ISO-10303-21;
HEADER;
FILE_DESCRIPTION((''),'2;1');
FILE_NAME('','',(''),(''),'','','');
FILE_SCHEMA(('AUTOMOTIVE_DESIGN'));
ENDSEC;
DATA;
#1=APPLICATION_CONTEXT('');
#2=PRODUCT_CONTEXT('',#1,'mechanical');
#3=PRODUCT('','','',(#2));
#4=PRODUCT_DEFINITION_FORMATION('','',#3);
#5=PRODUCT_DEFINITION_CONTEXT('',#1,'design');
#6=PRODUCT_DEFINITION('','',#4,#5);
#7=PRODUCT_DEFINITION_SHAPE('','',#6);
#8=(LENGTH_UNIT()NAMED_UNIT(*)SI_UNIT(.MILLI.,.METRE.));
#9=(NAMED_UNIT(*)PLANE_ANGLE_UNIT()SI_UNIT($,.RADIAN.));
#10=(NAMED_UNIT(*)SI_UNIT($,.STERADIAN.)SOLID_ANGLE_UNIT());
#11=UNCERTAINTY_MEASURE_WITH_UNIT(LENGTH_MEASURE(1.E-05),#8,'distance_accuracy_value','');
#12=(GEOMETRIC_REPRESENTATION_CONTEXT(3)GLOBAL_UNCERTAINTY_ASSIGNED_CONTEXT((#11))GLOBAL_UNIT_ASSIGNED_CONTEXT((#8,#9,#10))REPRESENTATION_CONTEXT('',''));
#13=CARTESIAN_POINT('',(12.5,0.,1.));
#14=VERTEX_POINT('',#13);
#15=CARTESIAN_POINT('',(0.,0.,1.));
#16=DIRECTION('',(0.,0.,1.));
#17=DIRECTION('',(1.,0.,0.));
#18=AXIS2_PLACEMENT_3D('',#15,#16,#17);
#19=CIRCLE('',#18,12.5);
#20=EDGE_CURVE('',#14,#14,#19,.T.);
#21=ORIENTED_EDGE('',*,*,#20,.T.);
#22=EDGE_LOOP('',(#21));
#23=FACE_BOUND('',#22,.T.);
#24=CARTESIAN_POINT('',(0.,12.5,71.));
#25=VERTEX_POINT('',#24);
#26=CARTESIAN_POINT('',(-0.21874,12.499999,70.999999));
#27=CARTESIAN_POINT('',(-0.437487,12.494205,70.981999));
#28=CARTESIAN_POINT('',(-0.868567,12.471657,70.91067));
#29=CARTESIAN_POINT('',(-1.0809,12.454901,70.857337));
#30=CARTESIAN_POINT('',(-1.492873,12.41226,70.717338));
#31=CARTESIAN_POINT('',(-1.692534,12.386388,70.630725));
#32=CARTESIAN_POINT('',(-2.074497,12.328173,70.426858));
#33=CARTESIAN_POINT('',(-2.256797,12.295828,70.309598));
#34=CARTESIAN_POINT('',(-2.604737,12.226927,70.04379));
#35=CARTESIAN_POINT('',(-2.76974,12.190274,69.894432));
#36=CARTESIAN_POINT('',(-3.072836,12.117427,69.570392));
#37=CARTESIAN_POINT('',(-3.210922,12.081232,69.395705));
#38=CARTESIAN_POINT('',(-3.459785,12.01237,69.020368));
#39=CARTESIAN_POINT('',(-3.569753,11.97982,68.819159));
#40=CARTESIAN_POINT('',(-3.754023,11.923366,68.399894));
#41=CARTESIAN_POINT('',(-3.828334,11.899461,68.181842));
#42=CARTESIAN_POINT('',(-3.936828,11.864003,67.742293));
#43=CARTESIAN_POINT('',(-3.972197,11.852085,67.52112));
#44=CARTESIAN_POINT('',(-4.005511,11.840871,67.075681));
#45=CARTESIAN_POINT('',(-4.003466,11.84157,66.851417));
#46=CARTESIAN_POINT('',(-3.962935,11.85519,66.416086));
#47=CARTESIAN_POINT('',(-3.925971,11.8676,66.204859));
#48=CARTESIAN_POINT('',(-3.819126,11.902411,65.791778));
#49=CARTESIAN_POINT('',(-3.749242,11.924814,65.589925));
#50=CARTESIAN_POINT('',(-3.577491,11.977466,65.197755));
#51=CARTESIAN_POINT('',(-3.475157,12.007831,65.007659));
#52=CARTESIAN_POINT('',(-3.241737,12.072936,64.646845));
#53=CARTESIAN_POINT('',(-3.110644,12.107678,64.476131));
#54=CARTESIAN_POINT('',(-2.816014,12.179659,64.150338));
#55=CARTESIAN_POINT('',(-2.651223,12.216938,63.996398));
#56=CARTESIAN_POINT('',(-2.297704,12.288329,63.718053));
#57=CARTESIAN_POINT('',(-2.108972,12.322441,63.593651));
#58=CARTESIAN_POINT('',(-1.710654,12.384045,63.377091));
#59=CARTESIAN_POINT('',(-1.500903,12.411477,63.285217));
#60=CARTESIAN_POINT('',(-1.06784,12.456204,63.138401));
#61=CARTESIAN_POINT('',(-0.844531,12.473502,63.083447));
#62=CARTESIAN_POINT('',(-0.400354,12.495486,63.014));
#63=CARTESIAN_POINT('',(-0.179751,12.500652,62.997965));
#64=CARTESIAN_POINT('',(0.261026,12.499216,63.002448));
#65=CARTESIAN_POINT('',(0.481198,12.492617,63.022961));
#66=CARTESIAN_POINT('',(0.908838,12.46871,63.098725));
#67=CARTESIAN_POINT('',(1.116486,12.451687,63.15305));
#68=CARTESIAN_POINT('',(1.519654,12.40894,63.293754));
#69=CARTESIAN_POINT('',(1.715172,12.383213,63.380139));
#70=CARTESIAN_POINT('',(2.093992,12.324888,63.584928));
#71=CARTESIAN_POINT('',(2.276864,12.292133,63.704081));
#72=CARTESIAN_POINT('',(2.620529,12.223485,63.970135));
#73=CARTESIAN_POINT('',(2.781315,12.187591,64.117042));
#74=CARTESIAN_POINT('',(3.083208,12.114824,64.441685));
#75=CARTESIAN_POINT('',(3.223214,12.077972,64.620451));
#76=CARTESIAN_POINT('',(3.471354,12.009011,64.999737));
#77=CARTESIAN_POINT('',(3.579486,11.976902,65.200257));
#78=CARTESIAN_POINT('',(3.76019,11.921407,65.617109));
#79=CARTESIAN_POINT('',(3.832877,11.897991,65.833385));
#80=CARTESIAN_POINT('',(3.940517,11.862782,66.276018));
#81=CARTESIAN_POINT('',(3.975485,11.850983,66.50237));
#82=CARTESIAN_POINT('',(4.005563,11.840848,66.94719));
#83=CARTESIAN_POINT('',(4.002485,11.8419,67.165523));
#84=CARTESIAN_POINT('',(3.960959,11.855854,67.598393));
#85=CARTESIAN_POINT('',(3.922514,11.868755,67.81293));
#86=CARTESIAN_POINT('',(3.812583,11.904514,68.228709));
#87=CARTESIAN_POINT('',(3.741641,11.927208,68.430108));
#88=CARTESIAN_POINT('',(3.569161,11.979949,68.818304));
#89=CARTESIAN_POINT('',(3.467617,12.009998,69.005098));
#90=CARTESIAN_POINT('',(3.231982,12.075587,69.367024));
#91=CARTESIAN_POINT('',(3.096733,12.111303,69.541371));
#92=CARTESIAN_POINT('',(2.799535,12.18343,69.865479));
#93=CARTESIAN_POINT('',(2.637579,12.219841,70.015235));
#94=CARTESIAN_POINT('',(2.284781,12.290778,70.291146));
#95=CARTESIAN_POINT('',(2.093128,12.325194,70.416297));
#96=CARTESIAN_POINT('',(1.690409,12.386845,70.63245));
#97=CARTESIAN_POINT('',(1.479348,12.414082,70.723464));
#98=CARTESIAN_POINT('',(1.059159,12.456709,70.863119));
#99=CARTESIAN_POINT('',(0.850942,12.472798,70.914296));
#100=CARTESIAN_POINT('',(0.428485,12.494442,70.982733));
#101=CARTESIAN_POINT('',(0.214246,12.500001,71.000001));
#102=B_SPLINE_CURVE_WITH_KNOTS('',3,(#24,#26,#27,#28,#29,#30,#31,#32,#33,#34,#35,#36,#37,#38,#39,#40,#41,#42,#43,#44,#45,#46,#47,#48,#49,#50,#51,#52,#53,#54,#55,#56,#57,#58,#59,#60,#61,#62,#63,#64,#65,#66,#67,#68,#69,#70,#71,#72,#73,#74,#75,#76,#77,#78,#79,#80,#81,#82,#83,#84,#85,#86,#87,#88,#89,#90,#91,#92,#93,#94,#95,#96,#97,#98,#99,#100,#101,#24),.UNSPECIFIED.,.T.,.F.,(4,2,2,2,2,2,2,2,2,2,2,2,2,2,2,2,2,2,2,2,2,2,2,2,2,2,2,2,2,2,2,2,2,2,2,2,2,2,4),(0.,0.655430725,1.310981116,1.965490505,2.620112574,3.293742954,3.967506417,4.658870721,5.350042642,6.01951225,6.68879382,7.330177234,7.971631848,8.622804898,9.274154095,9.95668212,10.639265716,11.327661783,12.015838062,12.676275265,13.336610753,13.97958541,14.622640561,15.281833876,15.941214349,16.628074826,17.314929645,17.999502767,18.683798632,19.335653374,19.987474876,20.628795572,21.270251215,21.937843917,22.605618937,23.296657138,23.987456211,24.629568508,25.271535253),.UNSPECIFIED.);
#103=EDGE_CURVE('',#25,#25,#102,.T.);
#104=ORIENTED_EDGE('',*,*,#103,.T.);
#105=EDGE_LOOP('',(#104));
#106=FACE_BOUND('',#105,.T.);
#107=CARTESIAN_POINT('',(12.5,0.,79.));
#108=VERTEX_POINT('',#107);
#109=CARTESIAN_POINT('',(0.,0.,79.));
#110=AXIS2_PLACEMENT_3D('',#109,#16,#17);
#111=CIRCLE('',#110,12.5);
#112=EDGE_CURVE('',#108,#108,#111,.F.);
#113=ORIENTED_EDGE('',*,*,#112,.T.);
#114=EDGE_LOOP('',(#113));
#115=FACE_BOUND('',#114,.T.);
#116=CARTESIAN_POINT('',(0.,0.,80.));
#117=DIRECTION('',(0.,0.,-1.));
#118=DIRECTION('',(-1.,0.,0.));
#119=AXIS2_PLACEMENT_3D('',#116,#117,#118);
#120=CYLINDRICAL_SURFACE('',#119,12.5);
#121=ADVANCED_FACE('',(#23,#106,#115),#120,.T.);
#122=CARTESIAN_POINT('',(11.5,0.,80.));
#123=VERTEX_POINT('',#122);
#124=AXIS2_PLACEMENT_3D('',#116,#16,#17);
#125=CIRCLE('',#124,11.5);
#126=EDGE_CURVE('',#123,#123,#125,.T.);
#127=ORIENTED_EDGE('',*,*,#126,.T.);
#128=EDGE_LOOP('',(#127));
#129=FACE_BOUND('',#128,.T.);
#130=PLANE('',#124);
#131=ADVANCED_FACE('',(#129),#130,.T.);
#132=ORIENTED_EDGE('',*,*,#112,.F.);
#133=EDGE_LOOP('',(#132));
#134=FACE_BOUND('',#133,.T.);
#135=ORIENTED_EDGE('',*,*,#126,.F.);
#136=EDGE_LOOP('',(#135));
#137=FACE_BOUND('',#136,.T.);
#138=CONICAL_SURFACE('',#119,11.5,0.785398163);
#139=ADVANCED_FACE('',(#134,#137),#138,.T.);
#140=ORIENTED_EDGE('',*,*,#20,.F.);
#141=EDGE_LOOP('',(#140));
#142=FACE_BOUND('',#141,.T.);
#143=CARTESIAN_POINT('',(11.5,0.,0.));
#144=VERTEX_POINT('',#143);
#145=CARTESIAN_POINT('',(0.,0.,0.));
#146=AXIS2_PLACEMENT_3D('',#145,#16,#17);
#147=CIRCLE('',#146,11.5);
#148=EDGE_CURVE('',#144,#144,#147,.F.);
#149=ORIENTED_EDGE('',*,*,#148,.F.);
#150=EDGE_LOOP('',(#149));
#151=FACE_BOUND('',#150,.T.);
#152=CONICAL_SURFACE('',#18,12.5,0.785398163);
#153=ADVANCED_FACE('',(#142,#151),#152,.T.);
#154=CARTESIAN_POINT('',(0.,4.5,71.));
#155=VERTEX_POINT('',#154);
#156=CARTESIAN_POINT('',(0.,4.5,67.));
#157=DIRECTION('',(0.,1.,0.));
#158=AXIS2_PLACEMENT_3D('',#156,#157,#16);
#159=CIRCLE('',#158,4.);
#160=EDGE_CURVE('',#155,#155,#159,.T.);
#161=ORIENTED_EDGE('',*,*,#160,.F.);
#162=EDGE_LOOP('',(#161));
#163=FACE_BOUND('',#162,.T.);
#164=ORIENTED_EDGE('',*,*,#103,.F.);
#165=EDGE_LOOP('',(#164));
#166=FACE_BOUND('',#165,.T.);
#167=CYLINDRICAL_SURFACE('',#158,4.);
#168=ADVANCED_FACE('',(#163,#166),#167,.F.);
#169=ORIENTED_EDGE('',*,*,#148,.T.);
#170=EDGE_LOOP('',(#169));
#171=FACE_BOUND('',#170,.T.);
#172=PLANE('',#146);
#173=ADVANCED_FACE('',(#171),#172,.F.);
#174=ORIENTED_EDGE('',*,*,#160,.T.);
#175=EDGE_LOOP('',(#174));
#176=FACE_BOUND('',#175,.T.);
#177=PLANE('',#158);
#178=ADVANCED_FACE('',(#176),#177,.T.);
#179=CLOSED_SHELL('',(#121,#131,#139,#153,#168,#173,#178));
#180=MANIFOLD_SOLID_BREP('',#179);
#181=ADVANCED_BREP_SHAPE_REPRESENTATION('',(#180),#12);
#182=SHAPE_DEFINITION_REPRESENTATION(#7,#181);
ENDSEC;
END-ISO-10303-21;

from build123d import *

# Parameters (mm, degrees)
SKETCH1_R           = 12.5
BOSS_EXTRUDE4_DEPTH = 80
SKETCH5_R           = 4
CUT_EXTRUDE4_DEPTH  = 8
CHAMFER5_SIZE       = 1


with BuildPart() as part:
    # Sketch1 → Boss-Extrude4 (new body)
    with BuildSketch(Plane.XY):
        Circle(SKETCH1_R)
    extrude(amount=BOSS_EXTRUDE4_DEPTH)

    # Sketch5 → Cut-Extrude4 (cut)
    with BuildSketch(Plane(origin=(0, 12.5, 0), x_dir=(1, 0, 0), z_dir=(0, 1, 0))):
        with Locations(Location((0, -67, 0), (0, 0, 270))):
            Circle(SKETCH5_R)
    extrude(amount=-CUT_EXTRUDE4_DEPTH, mode=Mode.SUBTRACT)

    # Chamfer5
    chamfer5_edges = [part.edges().sort_by_distance(p)[0] for p in [
        (-12.5, 0, 0),
        (-12.5, 0, 80),
    ]]
    chamfer(chamfer5_edges, length=CHAMFER5_SIZE)


solid = part.part
